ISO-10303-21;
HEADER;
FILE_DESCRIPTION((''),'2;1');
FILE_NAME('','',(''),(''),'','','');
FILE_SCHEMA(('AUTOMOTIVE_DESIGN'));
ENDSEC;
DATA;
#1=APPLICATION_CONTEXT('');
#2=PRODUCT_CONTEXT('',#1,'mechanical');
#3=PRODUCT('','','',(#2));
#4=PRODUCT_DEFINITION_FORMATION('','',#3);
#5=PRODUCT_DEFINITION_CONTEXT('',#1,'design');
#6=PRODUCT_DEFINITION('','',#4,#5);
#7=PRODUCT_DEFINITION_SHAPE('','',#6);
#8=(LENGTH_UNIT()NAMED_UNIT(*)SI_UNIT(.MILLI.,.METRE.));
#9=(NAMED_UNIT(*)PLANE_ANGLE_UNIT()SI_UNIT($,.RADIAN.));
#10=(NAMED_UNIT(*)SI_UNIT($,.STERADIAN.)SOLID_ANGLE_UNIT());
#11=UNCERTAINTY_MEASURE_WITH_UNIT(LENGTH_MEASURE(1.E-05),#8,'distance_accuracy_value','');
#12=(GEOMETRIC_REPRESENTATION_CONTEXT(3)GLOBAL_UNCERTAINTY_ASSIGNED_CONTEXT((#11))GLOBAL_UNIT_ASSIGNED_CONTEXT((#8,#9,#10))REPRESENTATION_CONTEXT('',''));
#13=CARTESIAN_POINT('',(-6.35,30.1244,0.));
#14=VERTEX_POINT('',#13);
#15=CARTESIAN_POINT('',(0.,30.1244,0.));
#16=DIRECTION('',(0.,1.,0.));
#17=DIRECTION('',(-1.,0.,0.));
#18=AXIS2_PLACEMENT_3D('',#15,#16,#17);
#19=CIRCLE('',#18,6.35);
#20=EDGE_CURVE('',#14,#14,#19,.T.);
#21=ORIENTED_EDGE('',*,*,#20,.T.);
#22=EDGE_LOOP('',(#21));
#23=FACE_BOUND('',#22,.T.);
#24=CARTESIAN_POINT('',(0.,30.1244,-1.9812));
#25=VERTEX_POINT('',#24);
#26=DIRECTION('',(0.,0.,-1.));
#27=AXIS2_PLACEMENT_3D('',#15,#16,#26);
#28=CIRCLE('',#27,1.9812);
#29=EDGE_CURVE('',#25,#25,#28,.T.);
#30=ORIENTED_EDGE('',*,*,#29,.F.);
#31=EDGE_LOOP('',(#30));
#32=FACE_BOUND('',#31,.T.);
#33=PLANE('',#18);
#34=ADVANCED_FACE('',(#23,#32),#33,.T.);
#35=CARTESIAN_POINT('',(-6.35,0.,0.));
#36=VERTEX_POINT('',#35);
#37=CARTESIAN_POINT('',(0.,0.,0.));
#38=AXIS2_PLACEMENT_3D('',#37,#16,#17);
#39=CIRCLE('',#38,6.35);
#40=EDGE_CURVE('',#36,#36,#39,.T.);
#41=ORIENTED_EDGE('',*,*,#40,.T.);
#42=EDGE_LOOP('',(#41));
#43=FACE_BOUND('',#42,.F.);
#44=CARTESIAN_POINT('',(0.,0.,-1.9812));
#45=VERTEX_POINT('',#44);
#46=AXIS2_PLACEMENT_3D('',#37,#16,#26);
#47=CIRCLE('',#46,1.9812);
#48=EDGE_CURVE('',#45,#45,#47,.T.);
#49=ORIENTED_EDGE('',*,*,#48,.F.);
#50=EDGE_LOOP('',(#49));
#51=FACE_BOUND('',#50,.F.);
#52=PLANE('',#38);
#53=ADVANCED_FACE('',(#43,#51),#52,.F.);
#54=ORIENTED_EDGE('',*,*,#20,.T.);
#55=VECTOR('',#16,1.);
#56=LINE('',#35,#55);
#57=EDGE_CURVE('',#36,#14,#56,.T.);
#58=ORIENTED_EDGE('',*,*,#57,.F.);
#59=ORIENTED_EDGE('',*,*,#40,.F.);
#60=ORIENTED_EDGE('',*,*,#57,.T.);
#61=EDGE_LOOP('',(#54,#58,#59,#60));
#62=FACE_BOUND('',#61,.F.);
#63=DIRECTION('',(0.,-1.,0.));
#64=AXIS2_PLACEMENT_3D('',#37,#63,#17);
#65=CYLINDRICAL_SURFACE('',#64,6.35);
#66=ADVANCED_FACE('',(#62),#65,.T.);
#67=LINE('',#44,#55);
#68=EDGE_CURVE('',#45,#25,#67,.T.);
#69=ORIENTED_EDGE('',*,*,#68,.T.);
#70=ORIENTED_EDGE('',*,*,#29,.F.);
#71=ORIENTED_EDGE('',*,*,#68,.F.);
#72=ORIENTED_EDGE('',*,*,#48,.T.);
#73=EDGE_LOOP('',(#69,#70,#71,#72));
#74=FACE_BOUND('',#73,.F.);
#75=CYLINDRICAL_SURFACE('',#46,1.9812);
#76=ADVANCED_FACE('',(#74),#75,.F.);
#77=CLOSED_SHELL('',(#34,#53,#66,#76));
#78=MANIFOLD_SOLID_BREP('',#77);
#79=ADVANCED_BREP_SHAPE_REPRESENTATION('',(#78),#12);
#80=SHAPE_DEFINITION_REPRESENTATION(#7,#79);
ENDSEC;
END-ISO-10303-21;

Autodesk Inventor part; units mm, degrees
ref_plane "YZ Plane" through (0, 0, 0) normal (1, 0, 0) x (0, 1, 0)
ref_plane "XZ Plane" through (0, 0, 0) normal (0, 1, 0) x (-1, 0, 0)
ref_plane "XY Plane" through (0, 0, 0) normal (0, 0, 1) x (1, 0, 0)
sketch "Sketch1" plane through (0, 0, 0) normal (0, 1, 0) x (-1, 0, 0)
  circle A0 centre (0, 0) radius 6.35
  dimension "d1" = 12.7
extrude "Extrusion1" add sketch "Sketch1" along normal blind 30.1244
sketch "Sketch2" plane through (0, 0, 0) normal (0, -1, 0) x (1, 0, 0)
  point P0 (0, 0)
  point P1 (0, 0)
hole "Hole1" at (0, 0, 0) direction (0, 1, 0) diameter 3.9624 end through all thread size "10-32 UNF" class "2B" standard "ANSI Unified Screw Threads"
properties part number "INTK_007_Spacer7" material "Aluminum 6061"
